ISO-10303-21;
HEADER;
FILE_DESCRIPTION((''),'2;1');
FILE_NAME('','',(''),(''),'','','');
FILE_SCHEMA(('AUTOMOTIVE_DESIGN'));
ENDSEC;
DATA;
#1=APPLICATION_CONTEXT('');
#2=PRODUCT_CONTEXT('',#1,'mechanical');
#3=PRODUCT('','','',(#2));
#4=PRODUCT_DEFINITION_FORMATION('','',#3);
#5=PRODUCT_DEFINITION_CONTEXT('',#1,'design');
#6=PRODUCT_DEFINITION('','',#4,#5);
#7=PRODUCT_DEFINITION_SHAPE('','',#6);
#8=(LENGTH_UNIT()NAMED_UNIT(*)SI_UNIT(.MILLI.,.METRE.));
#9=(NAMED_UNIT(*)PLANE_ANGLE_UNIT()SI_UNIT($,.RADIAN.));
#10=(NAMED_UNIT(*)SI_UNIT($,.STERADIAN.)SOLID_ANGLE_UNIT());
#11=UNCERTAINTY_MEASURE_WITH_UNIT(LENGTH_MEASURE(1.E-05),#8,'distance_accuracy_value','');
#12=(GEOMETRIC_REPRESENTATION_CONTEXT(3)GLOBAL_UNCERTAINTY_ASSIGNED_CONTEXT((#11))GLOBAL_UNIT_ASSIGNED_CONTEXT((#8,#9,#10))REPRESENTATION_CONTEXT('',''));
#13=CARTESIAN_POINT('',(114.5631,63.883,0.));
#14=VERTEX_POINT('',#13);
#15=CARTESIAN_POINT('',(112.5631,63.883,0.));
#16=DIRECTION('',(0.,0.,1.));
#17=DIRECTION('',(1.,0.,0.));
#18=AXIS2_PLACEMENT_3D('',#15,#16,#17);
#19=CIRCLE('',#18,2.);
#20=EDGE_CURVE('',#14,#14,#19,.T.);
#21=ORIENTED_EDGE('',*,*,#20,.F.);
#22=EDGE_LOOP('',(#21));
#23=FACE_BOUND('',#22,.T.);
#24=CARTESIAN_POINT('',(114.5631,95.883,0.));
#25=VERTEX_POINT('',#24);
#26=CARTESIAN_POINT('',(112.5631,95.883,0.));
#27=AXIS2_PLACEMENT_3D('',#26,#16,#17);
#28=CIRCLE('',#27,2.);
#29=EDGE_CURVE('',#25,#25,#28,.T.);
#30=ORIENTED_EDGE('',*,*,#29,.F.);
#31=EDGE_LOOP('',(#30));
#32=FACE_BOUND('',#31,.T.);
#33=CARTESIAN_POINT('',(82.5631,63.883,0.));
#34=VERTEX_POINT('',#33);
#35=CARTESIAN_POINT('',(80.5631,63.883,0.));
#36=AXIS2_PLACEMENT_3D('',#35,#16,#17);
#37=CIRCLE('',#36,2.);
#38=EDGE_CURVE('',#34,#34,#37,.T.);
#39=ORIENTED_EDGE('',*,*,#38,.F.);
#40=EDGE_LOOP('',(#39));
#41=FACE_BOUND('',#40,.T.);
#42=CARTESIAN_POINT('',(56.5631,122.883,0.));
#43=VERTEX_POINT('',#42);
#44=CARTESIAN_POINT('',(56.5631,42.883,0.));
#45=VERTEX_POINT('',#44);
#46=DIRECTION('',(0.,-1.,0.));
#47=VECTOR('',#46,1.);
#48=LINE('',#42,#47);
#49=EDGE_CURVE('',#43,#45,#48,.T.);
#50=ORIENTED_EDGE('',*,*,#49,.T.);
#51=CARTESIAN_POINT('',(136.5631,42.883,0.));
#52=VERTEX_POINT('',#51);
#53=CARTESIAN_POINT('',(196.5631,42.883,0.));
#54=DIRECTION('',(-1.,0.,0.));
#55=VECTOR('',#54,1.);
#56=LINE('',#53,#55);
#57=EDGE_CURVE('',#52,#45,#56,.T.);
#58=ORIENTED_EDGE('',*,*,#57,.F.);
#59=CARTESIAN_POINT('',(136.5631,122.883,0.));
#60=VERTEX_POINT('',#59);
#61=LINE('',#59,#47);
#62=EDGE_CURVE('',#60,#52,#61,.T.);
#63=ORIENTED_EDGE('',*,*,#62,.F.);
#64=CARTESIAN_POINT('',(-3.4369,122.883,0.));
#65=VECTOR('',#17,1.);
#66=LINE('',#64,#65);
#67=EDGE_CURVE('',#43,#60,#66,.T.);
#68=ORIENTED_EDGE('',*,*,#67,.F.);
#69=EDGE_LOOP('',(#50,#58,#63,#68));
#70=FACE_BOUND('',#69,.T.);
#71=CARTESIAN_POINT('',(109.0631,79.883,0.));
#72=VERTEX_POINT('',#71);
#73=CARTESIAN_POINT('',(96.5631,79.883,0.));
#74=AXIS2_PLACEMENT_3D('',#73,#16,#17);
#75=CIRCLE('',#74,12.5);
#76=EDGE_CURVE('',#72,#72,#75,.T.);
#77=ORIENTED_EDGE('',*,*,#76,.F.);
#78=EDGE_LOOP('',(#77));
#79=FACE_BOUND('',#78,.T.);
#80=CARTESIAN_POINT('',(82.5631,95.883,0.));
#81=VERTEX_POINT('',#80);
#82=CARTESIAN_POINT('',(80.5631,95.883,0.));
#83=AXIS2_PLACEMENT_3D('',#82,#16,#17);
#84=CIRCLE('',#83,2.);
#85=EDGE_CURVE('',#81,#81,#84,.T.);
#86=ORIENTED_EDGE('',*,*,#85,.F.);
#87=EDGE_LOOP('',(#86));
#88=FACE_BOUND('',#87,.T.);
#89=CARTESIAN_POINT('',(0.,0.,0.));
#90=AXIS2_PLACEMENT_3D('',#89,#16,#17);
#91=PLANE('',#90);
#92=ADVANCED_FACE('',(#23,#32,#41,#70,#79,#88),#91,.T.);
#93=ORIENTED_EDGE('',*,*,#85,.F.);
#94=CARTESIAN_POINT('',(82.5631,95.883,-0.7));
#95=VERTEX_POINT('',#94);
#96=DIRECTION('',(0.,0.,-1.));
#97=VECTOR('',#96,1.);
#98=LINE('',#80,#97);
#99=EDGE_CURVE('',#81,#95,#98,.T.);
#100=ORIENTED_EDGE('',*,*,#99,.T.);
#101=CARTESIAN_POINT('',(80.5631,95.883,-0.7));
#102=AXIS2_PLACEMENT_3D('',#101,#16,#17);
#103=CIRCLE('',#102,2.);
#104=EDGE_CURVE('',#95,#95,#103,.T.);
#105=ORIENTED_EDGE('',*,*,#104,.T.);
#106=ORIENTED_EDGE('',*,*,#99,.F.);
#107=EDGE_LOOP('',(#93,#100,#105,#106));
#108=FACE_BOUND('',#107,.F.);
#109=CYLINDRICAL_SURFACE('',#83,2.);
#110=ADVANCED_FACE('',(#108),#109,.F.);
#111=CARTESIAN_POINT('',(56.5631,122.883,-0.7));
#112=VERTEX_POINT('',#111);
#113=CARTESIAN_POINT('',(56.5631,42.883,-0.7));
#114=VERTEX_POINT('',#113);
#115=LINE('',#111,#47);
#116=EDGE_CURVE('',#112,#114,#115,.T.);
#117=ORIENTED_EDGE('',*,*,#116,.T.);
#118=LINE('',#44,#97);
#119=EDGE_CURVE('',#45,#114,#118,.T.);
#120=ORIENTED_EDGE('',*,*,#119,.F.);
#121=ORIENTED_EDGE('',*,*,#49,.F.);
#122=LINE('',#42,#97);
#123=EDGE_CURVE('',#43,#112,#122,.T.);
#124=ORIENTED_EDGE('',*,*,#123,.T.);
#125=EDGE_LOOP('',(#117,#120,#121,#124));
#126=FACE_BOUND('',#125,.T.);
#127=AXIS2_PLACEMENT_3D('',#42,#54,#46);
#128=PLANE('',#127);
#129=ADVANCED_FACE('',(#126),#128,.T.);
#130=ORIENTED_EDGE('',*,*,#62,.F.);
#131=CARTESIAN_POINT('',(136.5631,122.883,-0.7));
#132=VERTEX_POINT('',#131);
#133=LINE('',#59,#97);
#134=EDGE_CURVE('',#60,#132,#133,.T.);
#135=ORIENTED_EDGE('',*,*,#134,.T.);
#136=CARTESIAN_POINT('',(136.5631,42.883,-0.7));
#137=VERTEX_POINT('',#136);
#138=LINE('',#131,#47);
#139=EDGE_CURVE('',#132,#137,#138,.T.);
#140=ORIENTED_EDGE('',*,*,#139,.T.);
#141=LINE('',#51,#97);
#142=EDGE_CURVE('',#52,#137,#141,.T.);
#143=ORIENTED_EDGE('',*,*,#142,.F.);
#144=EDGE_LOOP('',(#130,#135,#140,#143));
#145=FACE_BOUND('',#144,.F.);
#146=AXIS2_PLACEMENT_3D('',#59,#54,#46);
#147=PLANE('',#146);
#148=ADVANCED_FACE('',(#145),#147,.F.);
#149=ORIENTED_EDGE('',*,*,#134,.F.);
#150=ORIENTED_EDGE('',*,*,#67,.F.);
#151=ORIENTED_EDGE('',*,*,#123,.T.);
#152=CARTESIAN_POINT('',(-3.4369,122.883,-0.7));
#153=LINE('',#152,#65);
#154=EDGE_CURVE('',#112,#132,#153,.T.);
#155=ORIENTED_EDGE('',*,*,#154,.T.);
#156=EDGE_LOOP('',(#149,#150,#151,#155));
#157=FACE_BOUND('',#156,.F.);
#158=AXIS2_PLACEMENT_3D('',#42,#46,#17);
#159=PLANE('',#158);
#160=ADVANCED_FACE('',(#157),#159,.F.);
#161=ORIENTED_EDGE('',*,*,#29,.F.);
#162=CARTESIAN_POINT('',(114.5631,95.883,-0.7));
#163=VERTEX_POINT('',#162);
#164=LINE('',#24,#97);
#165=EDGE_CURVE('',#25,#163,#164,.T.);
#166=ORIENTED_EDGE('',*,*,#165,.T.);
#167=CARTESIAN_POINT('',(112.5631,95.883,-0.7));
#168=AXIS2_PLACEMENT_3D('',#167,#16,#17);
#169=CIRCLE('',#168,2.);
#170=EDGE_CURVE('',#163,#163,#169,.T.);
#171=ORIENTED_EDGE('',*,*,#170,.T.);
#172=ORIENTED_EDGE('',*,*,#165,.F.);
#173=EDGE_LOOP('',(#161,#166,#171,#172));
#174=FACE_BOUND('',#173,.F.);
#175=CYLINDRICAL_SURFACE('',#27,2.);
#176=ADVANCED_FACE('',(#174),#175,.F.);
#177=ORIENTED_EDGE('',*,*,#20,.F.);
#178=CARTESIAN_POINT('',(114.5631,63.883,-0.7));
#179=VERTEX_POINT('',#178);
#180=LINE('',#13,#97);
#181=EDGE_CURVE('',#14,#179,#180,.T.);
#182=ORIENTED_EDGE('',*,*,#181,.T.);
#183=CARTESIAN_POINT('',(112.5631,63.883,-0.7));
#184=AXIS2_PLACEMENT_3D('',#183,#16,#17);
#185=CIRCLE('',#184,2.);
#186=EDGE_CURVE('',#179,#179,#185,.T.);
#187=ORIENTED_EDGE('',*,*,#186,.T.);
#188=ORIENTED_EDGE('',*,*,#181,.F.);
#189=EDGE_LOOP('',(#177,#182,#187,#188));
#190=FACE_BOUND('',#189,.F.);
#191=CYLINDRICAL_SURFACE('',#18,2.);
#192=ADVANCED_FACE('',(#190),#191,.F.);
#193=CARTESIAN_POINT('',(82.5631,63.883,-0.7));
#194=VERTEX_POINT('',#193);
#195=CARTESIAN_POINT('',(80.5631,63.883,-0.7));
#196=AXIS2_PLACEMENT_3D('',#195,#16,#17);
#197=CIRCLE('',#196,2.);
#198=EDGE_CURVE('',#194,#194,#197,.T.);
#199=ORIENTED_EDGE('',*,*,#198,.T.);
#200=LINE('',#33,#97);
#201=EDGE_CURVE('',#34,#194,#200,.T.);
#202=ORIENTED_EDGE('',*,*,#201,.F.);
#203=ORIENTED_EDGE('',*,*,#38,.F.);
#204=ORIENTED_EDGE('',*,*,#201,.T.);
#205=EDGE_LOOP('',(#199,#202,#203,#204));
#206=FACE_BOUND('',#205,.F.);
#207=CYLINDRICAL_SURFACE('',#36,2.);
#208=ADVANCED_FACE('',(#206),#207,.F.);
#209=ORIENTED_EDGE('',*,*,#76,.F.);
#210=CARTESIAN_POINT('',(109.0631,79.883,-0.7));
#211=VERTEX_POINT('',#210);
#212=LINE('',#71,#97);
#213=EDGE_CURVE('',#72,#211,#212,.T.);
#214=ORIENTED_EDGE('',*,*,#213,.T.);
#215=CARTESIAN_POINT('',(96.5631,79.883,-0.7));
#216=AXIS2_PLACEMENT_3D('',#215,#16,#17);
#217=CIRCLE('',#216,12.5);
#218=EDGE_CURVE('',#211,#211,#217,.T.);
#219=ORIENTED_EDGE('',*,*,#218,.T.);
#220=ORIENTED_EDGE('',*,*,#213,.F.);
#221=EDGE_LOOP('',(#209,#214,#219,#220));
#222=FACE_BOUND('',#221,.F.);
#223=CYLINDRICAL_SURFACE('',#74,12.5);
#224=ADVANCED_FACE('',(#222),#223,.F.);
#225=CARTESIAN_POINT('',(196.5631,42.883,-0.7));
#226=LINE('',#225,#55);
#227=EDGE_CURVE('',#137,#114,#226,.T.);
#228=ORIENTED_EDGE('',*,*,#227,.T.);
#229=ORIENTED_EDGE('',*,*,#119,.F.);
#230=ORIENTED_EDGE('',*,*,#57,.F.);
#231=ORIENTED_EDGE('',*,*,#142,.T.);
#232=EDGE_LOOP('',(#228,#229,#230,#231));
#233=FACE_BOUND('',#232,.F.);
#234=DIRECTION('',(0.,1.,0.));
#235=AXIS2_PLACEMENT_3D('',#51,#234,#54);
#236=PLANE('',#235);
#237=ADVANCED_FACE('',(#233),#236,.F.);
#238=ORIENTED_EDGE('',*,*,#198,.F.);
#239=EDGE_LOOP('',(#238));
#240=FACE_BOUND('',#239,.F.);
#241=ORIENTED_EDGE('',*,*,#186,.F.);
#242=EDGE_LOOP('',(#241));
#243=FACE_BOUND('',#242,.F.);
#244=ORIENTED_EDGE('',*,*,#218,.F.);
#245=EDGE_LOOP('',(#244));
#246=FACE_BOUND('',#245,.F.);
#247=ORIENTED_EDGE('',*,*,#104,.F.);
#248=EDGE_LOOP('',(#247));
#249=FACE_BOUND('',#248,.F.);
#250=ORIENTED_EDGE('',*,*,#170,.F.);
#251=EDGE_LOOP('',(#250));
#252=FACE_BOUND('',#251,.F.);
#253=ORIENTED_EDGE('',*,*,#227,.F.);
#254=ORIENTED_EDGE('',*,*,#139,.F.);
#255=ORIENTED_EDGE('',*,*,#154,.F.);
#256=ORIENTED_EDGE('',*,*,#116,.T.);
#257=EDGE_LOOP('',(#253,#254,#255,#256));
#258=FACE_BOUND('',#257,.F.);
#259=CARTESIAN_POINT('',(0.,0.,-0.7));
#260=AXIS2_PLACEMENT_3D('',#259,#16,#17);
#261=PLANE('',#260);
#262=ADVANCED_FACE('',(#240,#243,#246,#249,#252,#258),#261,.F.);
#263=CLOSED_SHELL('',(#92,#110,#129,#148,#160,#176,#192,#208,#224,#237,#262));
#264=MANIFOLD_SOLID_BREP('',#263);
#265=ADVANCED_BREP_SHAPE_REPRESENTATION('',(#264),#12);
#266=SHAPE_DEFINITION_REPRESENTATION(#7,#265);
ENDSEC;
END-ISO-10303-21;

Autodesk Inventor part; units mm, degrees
ref_plane "YZ Plane" through (0, 0, 0) normal (1, 0, 0) x (0, 1, 0)
ref_plane "XZ Plane" through (0, 0, 0) normal (0, 1, 0) x (-1, 0, 0)
ref_plane "XY Plane" through (0, 0, 0) normal (0, 0, 1) x (1, 0, 0)
sketch "Sketch1" plane through (0, 0, 0) normal (0, 0, 1) x (1, 0, 0)
  line L0 (-3.4369, 182.883) -> (196.5631, 182.883)
  line L1 (196.5631, 182.883) -> (196.5631, 42.883)
  line L2 (196.5631, 42.883) -> (-3.4369, 42.883)
  line L3 (-3.4369, 42.883) -> (-3.4369, 182.883)
  circle A0 centre (96.5631, 79.883) radius 12.5
  line L4 (-3.4369, 122.883) -> (196.5631, 122.883)
  line L5 (136.5631, 122.883) -> (136.5631, 42.883)
  line L6 (56.5631, 122.883) -> (56.5631, 42.883)
  circle A1 centre (80.5631, 95.883) radius 2
  circle A2 centre (112.5631, 95.883) radius 2
  circle A3 centre (80.5631, 63.883) radius 2
  circle A4 centre (112.5631, 63.883) radius 2
  line L7 (80.5631, 95.883) -> (112.5631, 95.883) construction
  line L8 (112.5631, 95.883) -> (112.5631, 63.883) construction
  line L9 (112.5631, 63.883) -> (80.5631, 63.883) construction
  line L10 (80.5631, 63.883) -> (80.5631, 95.883) construction
  point P0 (0, 0)
  point P1 (96.5631, 42.883)
  point P2 (96.5631, 95.883)
  point P3 (80.5631, 79.883)
  dimension "d0" = 140
  dimension "d1" = 200
  dimension "d2" = 25
  dimension "d5" = 80
  dimension "d6" = 60
  dimension "d7" = 60
  dimension "d8" = 37
  dimension "d9" = 4
  dimension "d10" = 32
  dimension "d11" = 32
  dimension "d12" = 40
  dimension "d13" = 80
extrude "Extrusion1" add sketch "Sketch1" against normal blind 0.7 contours L4 L5 L2 L6
equation "\"d7\" = d6"
properties part number "cage_wall_back"
